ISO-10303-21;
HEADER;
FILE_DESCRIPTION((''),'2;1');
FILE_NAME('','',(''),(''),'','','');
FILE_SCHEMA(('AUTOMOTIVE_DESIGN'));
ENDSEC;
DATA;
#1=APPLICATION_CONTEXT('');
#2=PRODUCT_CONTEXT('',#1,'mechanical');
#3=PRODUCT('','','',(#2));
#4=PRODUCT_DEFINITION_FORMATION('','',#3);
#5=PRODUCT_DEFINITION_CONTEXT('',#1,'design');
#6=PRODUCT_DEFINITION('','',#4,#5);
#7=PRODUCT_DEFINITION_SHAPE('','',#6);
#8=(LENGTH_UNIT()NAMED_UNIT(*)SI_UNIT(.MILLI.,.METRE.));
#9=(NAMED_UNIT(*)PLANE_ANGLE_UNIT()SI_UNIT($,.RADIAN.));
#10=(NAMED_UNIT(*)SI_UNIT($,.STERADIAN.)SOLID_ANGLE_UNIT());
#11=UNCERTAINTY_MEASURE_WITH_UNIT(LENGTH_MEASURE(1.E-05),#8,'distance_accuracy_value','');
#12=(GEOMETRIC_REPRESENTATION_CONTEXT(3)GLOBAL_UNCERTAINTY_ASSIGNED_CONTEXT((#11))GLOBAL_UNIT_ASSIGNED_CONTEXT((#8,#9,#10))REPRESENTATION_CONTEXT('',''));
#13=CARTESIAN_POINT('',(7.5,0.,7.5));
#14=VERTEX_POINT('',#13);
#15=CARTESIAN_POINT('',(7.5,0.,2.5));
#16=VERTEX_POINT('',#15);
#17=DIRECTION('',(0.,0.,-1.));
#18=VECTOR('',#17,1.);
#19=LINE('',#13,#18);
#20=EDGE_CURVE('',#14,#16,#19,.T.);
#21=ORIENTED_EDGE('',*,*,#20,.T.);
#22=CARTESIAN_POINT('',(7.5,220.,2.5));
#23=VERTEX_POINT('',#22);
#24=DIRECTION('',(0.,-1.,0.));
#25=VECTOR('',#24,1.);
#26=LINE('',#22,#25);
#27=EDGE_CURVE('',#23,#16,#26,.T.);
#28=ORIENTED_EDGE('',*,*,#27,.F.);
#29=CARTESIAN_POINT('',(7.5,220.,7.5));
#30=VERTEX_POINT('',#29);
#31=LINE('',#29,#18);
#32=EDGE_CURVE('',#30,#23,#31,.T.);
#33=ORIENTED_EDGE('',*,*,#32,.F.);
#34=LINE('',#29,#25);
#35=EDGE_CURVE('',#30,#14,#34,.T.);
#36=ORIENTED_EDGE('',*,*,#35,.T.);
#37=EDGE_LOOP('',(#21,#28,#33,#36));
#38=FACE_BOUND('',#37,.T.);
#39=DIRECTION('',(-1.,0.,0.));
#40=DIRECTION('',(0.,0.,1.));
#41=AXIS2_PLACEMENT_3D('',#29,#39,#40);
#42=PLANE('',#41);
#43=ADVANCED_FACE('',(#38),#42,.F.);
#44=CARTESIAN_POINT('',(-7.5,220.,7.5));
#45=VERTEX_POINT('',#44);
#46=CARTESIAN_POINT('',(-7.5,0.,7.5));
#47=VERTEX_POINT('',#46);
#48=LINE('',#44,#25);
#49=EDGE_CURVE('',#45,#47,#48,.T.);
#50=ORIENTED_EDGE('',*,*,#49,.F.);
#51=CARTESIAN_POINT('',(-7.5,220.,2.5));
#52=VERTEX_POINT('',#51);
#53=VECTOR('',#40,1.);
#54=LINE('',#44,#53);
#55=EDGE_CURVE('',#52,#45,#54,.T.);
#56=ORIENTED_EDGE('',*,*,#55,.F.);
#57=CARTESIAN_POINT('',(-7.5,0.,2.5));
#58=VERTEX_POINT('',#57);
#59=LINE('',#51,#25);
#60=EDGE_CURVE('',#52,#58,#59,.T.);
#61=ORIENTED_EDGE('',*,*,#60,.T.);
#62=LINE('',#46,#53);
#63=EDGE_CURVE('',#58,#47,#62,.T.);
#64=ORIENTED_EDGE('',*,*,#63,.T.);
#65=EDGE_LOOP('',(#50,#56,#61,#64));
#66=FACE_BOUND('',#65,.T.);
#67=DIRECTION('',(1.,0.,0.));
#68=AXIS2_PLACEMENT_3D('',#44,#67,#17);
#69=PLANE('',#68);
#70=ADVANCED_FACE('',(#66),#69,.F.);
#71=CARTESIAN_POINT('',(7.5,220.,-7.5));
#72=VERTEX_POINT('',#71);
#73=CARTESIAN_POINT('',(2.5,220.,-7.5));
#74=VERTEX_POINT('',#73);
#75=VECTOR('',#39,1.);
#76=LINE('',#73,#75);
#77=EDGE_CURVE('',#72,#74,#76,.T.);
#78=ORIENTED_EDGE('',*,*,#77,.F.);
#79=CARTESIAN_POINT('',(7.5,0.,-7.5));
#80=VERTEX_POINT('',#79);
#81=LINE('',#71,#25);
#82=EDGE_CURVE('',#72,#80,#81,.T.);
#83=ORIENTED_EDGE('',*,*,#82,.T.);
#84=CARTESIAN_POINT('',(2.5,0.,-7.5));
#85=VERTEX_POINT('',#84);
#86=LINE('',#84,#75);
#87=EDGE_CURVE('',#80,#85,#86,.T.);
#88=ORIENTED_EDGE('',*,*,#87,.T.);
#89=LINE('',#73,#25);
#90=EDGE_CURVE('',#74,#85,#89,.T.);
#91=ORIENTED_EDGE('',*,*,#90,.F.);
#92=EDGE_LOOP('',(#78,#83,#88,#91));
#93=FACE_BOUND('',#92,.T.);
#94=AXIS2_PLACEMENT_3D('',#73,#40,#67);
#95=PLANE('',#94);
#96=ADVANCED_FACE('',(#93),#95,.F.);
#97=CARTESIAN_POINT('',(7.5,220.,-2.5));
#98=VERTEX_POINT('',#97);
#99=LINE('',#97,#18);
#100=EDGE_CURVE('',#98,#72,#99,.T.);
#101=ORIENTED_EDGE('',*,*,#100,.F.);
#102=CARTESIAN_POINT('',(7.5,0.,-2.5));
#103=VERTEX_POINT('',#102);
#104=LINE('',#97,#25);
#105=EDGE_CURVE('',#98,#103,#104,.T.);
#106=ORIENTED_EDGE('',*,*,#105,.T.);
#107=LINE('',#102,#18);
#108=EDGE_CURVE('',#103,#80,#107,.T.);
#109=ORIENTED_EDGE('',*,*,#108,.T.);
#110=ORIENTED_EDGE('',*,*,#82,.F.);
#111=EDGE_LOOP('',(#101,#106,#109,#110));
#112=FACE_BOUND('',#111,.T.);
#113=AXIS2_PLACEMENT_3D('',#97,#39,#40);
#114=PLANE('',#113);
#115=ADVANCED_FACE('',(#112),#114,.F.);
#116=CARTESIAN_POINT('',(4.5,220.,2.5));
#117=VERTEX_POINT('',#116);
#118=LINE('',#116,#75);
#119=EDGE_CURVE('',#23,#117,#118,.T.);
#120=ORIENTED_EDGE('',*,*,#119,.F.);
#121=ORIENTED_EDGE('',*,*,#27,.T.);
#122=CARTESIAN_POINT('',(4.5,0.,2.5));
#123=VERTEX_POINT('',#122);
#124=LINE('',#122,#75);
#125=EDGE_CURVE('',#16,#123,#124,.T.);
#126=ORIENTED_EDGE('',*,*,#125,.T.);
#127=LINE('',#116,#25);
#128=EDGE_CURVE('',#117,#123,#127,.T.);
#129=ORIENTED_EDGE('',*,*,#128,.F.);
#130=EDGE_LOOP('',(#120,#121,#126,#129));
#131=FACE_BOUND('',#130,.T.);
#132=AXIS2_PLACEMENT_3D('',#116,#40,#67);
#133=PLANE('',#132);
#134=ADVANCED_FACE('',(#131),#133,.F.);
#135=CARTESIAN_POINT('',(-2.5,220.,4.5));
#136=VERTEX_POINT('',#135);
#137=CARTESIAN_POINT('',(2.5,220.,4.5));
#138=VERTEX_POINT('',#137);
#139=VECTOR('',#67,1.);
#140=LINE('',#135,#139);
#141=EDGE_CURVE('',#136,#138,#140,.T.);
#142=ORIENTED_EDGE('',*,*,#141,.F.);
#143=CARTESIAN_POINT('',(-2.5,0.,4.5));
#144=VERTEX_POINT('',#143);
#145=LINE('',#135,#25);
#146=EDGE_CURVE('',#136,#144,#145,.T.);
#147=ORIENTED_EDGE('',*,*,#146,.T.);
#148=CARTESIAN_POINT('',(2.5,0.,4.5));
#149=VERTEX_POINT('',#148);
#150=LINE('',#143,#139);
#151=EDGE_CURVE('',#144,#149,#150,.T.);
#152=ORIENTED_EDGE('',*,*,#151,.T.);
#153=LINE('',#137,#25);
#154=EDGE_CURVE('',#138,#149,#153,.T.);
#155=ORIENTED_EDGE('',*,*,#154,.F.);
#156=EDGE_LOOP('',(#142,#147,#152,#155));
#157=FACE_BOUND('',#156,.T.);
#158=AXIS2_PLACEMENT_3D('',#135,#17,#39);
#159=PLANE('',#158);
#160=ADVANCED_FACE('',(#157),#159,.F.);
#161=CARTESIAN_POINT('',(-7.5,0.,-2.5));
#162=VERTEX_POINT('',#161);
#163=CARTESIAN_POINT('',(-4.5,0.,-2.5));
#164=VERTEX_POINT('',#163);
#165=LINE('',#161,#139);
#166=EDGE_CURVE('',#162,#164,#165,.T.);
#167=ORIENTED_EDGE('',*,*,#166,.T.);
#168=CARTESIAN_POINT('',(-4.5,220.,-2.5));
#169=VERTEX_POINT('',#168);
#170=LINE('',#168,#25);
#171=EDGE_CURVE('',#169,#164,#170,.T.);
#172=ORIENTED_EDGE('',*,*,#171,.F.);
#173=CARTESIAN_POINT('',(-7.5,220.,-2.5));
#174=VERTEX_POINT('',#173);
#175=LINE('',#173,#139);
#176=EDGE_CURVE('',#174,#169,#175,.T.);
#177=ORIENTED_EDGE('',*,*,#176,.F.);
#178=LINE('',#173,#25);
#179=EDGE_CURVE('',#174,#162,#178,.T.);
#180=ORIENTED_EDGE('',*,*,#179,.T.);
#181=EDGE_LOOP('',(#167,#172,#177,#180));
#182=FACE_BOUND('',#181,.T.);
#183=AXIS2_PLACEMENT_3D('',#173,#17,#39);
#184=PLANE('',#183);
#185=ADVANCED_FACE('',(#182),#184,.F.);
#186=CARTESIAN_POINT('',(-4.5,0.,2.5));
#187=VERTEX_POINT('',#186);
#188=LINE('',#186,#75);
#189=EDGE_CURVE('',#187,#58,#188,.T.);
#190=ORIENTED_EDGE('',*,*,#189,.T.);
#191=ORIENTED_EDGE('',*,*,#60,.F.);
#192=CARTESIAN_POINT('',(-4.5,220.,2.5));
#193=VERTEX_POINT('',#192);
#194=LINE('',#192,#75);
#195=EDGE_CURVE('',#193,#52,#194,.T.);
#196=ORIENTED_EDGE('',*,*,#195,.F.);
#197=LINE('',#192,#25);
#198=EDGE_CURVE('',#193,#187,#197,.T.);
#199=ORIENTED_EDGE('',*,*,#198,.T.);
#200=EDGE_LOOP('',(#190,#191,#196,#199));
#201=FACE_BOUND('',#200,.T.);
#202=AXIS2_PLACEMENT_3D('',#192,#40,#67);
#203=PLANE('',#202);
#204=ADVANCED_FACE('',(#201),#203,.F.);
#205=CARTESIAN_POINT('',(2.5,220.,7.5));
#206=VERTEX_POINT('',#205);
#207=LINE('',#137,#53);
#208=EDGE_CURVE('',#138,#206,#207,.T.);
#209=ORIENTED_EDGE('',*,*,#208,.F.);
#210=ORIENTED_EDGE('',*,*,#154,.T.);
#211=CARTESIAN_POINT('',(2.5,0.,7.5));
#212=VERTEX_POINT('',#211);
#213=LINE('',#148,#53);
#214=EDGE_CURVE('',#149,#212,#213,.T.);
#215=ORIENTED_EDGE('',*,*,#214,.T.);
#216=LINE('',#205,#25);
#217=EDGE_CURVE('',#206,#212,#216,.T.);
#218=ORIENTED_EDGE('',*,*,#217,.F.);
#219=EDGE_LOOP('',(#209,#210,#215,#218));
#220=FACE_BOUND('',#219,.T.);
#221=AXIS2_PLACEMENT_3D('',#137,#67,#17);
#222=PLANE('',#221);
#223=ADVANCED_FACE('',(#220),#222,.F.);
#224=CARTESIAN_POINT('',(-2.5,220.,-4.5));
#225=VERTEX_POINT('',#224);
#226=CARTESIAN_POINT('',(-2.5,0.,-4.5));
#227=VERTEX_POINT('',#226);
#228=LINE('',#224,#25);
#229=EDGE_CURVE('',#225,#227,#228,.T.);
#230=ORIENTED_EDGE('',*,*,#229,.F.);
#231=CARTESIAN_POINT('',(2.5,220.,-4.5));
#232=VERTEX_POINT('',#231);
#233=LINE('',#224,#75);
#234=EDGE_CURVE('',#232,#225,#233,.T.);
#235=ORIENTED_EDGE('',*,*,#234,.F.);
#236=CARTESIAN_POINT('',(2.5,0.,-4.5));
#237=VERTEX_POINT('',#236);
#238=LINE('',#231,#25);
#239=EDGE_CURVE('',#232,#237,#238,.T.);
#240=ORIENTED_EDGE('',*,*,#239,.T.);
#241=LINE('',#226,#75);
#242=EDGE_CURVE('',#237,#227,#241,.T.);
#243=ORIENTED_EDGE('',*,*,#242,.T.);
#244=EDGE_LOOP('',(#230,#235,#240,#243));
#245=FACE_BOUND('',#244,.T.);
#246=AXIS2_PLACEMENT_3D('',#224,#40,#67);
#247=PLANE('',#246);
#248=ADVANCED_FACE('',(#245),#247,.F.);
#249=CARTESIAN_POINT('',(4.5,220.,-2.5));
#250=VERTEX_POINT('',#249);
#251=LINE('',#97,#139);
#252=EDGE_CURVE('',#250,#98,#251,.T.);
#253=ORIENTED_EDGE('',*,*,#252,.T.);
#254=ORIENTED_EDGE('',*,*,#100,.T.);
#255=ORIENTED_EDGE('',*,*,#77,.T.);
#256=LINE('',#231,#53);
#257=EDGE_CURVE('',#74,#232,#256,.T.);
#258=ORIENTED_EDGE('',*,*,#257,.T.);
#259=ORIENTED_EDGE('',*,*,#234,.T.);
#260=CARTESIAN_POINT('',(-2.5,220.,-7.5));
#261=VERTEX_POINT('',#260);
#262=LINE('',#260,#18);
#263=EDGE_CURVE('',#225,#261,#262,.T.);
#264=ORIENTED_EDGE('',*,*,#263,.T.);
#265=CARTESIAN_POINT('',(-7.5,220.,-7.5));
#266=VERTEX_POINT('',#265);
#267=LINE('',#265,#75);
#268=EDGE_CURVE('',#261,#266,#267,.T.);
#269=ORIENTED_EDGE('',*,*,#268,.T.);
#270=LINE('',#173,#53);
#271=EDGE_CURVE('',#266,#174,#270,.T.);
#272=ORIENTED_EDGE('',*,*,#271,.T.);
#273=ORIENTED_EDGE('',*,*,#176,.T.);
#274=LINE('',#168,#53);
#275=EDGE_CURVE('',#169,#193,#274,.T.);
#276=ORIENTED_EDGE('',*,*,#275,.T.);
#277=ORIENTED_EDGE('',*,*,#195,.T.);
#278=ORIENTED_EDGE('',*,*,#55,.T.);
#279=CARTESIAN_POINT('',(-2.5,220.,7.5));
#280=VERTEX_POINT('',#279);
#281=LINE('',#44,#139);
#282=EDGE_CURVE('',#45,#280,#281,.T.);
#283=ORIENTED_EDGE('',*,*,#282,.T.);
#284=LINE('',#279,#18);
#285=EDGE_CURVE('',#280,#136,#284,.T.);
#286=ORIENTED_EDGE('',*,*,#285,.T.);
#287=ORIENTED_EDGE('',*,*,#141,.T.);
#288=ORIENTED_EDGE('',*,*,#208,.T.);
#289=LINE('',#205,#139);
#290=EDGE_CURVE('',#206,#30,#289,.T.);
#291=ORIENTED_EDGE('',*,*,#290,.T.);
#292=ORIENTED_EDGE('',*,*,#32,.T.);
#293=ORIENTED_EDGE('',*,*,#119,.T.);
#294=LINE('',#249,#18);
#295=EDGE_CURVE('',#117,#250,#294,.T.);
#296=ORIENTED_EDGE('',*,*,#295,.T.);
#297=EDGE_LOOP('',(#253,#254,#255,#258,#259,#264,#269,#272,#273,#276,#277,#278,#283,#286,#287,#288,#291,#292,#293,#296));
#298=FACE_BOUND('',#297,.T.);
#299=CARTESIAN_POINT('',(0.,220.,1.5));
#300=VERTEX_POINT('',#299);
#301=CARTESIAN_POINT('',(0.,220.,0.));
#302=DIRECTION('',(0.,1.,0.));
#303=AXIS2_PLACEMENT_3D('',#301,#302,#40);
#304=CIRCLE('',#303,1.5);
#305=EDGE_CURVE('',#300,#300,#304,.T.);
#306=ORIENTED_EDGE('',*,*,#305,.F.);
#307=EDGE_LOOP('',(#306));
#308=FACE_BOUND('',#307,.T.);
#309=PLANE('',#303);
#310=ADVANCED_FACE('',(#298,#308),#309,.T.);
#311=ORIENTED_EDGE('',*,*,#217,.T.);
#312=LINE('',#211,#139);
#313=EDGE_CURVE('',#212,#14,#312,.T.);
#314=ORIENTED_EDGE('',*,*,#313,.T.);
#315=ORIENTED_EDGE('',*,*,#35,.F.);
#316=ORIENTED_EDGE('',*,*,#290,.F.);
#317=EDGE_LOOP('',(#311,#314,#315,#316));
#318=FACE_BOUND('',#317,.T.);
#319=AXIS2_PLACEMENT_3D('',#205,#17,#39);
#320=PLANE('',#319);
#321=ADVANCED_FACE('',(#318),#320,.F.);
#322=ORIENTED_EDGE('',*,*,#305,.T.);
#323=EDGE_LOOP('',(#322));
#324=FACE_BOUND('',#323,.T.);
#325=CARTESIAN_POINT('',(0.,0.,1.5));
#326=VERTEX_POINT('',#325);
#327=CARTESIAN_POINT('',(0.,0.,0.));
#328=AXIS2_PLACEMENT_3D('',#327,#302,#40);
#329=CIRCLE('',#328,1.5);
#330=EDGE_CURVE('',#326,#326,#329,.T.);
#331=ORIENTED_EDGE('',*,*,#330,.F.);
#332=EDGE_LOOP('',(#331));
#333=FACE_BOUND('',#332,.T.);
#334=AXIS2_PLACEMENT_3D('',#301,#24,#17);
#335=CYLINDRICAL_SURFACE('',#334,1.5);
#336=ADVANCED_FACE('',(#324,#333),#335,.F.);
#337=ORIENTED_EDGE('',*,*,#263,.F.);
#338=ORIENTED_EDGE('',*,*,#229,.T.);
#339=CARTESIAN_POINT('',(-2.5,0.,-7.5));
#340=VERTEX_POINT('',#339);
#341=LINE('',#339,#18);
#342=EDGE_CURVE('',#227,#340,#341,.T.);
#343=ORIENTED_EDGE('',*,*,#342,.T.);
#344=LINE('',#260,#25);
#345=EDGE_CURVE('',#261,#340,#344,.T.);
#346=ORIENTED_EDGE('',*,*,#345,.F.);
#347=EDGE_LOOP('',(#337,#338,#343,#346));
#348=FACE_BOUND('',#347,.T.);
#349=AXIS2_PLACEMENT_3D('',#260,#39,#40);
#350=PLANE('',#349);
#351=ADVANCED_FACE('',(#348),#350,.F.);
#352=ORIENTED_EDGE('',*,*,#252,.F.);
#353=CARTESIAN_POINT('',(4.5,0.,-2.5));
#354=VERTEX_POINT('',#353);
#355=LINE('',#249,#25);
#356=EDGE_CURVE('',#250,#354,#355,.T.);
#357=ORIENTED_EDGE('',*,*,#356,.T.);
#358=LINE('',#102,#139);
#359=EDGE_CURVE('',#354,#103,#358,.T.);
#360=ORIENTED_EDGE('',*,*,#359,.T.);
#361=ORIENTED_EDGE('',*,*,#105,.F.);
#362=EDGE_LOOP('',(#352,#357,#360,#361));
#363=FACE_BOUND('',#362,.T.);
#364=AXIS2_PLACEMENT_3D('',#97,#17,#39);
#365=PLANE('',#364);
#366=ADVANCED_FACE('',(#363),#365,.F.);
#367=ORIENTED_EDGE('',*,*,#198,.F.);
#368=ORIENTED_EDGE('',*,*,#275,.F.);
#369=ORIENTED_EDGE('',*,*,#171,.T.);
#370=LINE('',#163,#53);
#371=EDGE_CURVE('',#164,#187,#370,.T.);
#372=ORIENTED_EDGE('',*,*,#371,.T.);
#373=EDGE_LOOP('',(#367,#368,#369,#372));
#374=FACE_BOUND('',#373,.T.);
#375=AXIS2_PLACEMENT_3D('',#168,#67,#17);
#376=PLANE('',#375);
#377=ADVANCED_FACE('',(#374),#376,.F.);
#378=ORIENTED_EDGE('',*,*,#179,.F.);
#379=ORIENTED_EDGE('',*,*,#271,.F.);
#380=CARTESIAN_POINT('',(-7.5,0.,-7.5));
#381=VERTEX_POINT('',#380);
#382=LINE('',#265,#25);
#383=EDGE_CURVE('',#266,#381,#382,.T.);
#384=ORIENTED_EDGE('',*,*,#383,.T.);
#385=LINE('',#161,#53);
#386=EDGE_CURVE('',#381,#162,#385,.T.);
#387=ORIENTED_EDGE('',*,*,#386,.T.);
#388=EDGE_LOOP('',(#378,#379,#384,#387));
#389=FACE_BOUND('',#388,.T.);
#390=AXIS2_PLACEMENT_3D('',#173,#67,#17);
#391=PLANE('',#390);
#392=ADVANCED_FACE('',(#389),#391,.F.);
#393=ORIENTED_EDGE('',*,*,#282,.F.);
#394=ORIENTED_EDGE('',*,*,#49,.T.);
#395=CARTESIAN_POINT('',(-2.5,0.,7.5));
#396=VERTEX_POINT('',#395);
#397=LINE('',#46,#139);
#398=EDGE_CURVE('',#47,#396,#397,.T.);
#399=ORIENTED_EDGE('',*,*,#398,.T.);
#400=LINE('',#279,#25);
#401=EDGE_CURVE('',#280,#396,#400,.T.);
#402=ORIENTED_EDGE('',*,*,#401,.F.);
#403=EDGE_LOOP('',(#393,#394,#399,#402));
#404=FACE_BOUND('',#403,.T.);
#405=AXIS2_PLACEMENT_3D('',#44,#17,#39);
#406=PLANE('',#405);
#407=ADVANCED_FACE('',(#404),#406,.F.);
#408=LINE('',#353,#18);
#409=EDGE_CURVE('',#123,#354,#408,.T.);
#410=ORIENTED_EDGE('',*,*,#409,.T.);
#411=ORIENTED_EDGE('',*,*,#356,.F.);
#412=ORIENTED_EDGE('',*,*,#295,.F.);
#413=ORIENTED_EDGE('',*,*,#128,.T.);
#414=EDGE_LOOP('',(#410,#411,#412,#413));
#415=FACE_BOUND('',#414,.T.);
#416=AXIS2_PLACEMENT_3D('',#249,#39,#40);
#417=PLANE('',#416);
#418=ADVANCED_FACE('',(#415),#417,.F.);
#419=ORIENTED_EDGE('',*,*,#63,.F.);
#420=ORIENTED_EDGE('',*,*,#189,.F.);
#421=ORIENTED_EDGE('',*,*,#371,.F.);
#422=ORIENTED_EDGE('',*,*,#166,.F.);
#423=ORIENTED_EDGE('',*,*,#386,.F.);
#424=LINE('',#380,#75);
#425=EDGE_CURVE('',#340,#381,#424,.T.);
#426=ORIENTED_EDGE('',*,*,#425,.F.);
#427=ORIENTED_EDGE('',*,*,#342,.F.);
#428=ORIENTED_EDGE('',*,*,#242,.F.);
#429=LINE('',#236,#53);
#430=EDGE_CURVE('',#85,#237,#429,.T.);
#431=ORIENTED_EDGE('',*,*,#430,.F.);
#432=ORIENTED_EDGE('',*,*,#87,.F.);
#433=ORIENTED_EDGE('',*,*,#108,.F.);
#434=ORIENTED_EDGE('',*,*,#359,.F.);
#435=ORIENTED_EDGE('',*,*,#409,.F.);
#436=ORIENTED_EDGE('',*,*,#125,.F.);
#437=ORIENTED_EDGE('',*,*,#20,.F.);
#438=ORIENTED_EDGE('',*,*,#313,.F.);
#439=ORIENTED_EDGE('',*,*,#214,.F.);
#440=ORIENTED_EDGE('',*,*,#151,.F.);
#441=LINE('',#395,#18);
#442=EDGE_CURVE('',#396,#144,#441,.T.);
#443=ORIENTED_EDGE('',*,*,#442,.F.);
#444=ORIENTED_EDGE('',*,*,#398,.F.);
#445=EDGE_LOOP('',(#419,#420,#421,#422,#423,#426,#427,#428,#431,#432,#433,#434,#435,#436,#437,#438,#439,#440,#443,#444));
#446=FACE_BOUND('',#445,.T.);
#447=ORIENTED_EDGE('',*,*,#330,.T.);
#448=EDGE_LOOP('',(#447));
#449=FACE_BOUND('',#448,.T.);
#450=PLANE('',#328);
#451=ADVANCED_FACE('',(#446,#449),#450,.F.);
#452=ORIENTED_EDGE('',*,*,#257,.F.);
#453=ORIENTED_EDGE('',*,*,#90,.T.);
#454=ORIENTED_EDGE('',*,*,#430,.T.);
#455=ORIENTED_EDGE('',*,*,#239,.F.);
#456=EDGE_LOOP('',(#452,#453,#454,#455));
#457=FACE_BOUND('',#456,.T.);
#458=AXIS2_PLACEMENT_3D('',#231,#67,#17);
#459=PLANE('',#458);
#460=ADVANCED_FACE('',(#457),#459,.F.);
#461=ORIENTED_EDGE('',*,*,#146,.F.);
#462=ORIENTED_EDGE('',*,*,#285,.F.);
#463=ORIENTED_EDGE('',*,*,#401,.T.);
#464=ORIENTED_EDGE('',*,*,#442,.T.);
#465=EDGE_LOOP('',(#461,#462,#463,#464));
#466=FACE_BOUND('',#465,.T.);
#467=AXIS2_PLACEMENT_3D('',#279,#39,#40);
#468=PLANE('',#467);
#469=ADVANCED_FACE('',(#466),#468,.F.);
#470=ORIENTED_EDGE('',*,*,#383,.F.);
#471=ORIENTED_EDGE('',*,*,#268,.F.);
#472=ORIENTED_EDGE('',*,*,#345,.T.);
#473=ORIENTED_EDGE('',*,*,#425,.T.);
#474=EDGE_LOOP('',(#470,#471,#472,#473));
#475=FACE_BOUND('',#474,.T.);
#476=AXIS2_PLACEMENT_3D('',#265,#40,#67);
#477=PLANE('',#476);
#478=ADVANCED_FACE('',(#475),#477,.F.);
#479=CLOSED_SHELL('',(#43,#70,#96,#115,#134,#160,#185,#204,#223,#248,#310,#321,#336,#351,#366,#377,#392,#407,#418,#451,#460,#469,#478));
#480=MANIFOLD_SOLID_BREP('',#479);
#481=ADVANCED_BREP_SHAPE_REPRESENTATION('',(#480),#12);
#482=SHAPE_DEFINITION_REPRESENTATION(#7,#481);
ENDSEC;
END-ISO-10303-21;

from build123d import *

# Parameters (mm, degrees)
SKETCH1_R           = 1.5
BOSS_EXTRUDE1_DEPTH = 220


with BuildPart() as part:
    # Sketch1 → Boss-Extrude1 (new body)
    with BuildSketch(Plane(origin=(0, 0, 0), x_dir=(1, 0, 0), z_dir=(0, 1, 0))):
        Polygon((-7.5, -7.5), (-2.5, -7.5), (-2.5, -4.5), (2.5, -4.5), (2.5, -7.5), (7.5, -7.5), (7.5, -2.5), (4.5, -2.5), (4.5, 2.5), (7.5, 2.5), (7.5, 7.5), (2.5, 7.5), (2.5, 4.5), (-2.5, 4.5), (-2.5, 7.5), (-7.5, 7.5), (-7.5, 2.5), (-4.5, 2.5), (-4.5, -2.5), (-7.5, -2.5), align=None)
        with Locations(Location((0, 0, 0), (0, 0, 270))):
            Circle(SKETCH1_R, mode=Mode.SUBTRACT)
    extrude(amount=BOSS_EXTRUDE1_DEPTH)


solid = part.part
